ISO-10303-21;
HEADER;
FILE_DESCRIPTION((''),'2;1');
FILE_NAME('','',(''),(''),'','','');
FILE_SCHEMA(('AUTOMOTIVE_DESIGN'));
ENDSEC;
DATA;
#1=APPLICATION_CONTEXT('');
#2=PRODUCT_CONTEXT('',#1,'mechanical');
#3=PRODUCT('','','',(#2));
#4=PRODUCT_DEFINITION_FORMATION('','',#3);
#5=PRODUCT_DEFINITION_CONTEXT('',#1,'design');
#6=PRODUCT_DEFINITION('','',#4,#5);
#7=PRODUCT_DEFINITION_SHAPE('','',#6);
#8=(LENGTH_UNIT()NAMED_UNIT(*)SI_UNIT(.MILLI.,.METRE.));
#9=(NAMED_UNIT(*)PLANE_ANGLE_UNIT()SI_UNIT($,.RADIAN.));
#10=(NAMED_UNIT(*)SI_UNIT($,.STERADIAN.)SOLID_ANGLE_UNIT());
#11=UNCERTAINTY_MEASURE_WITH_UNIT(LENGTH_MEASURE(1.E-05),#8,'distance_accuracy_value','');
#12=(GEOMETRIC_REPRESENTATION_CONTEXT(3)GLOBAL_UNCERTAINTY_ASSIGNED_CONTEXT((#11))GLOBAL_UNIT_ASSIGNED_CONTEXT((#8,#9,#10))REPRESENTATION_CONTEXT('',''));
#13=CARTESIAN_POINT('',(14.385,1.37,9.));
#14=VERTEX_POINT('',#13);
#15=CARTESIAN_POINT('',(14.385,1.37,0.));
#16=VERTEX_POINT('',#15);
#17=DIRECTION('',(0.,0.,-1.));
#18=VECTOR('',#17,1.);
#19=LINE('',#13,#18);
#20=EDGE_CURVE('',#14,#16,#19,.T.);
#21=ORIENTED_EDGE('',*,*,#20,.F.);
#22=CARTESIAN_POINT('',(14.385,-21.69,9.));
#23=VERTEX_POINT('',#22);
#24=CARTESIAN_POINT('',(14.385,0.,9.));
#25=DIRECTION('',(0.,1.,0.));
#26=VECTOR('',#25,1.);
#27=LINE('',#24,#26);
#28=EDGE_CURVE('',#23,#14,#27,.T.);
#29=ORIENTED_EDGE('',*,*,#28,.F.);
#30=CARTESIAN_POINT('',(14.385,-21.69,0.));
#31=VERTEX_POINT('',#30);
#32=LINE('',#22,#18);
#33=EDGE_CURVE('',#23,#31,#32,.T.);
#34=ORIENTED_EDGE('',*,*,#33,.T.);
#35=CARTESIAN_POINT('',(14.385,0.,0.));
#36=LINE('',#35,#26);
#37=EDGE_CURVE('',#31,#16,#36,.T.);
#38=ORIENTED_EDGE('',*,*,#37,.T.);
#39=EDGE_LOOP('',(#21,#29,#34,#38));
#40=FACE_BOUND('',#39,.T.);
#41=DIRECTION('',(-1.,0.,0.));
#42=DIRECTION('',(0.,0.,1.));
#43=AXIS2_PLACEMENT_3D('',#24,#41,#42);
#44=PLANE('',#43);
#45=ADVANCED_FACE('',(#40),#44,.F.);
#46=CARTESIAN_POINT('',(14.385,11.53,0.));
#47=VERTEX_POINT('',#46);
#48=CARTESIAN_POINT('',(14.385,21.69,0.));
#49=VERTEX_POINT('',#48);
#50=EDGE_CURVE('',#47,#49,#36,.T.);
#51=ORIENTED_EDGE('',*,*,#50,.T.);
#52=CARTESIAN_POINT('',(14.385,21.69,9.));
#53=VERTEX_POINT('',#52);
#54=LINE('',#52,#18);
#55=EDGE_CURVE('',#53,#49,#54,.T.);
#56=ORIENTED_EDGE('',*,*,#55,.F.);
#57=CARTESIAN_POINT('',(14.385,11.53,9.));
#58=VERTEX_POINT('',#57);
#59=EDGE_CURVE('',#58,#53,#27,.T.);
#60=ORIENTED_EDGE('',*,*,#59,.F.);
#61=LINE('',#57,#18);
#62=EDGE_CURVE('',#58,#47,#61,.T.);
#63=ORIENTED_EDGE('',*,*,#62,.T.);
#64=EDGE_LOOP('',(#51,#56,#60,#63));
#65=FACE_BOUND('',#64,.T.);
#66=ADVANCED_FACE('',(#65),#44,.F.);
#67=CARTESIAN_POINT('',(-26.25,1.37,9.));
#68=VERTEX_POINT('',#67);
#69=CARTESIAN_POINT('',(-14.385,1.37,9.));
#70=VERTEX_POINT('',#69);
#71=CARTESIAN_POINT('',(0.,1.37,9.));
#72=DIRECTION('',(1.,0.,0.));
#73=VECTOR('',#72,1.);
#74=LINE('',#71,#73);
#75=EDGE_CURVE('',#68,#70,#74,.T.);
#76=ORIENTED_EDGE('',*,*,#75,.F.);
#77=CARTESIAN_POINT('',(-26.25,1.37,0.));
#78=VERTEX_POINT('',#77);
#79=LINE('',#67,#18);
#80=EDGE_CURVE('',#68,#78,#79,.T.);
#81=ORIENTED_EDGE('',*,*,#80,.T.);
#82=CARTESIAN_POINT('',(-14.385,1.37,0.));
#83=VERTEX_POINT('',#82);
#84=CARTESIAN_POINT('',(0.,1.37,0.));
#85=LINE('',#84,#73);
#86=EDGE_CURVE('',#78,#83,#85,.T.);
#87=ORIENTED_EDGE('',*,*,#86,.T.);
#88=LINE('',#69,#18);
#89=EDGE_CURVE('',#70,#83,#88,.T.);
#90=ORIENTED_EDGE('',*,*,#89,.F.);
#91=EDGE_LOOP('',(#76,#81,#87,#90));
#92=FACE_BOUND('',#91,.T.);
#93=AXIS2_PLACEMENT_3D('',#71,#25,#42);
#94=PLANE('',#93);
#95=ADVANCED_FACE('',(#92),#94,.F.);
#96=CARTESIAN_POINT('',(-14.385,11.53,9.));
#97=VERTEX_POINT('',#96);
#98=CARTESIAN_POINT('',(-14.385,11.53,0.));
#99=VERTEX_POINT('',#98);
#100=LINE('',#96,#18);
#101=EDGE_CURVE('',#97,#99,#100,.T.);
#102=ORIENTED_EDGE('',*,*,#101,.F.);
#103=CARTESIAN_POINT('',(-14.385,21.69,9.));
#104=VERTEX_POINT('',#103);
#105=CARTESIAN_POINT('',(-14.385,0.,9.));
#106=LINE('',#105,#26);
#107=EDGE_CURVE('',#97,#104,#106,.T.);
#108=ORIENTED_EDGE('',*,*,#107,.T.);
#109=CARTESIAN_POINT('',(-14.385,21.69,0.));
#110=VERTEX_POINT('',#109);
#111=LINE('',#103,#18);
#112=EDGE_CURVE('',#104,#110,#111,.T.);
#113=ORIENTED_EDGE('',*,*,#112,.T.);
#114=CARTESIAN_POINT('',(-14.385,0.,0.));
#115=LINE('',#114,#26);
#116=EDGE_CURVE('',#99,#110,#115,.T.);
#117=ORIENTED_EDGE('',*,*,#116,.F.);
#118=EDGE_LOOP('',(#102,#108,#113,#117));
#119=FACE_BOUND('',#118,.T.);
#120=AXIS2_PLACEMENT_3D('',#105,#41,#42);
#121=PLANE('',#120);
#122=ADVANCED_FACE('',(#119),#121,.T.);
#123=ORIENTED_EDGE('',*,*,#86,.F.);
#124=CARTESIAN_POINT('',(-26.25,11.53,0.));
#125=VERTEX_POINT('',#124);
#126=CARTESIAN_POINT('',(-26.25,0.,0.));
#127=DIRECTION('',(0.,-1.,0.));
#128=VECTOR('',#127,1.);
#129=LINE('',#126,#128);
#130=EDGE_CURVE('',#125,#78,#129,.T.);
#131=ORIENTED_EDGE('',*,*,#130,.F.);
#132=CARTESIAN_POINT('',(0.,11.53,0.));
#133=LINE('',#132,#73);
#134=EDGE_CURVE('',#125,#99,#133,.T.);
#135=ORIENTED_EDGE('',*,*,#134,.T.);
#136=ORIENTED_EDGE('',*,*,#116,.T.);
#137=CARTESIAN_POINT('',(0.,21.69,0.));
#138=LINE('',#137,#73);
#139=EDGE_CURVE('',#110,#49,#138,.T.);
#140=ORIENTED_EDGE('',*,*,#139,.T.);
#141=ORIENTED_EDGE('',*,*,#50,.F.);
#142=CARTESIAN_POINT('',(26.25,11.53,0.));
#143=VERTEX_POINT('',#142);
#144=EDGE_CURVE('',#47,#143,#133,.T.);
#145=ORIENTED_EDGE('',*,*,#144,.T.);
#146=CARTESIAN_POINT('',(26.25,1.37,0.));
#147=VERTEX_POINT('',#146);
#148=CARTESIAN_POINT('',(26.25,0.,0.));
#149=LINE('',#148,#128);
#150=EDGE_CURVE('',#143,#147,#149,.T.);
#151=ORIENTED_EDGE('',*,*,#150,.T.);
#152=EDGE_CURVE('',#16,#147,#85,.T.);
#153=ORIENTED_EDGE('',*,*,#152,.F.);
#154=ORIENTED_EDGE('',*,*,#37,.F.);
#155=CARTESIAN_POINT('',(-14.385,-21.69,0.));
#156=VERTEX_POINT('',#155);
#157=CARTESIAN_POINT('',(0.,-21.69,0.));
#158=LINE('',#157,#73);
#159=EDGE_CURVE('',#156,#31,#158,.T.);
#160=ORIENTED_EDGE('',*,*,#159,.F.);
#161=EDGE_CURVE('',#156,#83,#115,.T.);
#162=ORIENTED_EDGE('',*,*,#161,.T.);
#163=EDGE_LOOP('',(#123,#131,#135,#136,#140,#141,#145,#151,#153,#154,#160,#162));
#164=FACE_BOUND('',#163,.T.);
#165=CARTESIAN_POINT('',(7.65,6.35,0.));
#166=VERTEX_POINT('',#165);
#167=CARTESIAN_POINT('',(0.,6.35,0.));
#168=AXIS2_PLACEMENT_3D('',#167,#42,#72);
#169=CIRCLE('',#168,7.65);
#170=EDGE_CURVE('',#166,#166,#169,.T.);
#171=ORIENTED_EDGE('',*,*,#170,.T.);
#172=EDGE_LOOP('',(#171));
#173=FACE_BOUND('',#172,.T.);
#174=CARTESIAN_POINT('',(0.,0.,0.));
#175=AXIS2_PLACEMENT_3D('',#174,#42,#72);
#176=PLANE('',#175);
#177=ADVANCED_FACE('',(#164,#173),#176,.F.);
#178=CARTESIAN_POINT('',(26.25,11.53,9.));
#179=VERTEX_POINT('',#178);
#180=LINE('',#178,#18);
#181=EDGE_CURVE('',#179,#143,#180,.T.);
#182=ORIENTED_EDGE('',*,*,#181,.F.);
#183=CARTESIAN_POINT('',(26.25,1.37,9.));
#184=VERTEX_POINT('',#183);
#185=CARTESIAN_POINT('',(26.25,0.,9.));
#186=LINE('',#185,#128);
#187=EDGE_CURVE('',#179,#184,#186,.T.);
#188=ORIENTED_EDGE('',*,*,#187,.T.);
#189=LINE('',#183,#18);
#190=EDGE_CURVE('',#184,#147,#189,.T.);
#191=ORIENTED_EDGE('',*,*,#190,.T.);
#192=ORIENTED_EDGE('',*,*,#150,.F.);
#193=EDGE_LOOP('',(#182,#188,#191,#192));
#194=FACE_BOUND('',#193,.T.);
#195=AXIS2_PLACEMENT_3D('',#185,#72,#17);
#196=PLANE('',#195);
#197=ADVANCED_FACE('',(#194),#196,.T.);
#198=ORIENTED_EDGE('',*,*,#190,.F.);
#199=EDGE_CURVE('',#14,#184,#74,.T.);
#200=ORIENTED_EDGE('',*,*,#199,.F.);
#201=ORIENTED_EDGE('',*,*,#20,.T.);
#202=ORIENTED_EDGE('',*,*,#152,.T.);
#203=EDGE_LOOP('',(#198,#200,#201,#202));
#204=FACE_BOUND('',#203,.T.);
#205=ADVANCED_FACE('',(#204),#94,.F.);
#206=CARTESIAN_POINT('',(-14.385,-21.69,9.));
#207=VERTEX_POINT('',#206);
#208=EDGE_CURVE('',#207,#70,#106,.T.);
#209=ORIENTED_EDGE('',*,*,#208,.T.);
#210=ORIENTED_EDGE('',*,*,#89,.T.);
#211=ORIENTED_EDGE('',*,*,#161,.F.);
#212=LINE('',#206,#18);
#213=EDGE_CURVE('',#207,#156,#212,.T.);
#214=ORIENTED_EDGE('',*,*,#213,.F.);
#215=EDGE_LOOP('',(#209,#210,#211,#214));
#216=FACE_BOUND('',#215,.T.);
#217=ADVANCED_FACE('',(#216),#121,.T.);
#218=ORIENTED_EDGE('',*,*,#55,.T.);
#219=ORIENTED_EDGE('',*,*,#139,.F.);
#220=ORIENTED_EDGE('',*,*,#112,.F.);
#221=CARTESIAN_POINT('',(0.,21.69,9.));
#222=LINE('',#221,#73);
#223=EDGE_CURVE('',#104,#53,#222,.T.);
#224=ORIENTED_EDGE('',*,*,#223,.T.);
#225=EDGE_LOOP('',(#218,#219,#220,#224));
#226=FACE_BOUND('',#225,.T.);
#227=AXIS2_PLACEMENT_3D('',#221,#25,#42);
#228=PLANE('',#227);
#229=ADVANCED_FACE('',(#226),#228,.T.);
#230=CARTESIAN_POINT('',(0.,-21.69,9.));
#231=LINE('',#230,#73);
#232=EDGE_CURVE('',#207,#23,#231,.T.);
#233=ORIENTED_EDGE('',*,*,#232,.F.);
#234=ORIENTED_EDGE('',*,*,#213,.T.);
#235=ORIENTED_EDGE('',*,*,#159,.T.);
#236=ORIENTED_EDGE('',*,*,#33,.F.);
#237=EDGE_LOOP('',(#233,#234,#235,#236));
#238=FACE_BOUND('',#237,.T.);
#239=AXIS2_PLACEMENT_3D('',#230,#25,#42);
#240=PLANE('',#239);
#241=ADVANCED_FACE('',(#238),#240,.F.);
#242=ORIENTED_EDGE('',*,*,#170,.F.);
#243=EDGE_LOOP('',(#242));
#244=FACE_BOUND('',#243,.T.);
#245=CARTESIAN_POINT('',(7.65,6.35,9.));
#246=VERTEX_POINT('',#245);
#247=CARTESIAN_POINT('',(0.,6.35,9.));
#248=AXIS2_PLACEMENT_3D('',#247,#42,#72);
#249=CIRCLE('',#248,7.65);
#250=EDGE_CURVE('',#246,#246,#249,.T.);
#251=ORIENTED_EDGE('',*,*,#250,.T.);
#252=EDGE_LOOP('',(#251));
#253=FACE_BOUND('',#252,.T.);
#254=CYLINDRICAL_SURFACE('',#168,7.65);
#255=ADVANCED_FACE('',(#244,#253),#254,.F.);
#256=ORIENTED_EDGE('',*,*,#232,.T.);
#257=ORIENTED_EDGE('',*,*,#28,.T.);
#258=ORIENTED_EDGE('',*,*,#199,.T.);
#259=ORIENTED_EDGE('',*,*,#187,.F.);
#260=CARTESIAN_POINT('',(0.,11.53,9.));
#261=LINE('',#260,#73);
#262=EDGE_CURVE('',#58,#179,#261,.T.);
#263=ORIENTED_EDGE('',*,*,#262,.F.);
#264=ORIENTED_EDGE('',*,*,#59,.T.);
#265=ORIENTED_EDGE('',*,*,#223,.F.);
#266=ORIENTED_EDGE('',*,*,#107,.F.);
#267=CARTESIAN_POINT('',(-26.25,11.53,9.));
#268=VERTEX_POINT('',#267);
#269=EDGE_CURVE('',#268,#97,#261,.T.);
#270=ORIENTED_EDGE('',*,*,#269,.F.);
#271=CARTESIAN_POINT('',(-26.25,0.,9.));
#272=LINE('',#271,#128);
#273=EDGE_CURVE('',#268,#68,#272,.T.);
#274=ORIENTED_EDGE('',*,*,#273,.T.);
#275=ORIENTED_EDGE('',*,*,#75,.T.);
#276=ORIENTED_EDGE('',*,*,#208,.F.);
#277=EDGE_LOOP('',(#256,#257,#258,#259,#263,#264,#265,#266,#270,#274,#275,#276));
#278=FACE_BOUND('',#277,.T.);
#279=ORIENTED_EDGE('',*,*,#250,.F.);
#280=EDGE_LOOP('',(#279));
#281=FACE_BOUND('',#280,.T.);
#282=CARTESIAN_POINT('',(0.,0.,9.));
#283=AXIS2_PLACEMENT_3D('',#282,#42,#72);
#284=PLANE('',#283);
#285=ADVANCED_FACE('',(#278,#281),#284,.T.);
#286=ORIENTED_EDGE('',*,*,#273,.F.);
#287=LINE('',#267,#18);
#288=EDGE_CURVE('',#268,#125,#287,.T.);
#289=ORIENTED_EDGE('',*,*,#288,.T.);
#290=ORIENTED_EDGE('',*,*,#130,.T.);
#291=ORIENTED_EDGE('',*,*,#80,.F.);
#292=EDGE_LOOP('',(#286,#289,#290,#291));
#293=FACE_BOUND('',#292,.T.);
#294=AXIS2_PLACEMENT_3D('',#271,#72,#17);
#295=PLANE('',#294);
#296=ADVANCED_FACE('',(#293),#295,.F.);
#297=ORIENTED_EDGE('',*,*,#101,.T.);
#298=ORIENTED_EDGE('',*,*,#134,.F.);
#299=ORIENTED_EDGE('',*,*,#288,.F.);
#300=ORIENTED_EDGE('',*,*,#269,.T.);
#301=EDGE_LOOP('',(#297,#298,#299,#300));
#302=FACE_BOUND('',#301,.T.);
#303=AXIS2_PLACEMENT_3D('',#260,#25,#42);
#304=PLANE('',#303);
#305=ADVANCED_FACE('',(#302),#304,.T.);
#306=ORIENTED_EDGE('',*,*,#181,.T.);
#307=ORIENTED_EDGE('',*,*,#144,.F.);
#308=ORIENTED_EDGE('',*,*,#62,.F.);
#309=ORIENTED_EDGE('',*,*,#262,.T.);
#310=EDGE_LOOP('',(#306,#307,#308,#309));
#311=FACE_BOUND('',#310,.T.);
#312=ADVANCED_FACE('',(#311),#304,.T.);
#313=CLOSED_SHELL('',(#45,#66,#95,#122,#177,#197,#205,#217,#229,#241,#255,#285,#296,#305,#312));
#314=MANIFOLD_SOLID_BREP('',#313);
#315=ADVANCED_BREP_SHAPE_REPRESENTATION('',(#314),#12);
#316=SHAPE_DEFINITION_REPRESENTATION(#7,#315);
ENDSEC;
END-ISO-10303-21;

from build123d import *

# Parameters (mm, degrees)
SKETCH1_W           = 11.865
SKETCH1_H           = 10.16
SKETCH1_W_2         = 28.77
SKETCH1_H_2         = 23.06
BOSS_EXTRUDE1_DEPTH = 9
SKETCH3_R           = 7.65
CUT_EXTRUDE1_DEPTH  = 36.220996579


with BuildPart() as part:
    # Sketch1 → Boss-Extrude1 (new body)
    with BuildSketch(Plane.XY):
        with Locations((-20.3175, 6.45)):
            Rectangle(SKETCH1_W, SKETCH1_H)
        with Locations((0, -10.16)):
            Rectangle(SKETCH1_W_2, SKETCH1_H_2)
        with Locations((0, 6.45)):
            Rectangle(SKETCH1_W_2, SKETCH1_H)
        with Locations((0, 16.61)):
            Rectangle(SKETCH1_W_2, SKETCH1_H)
        with Locations((20.3175, 6.45)):
            Rectangle(SKETCH1_W, SKETCH1_H)
    extrude(amount=BOSS_EXTRUDE1_DEPTH)

    # Sketch3 → Cut-Extrude1 (cut, through all)
    with BuildSketch(Plane.XY.offset(9)):
        with Locations((0, 6.35)):
            Circle(SKETCH3_R)
    extrude(amount=-CUT_EXTRUDE1_DEPTH, mode=Mode.SUBTRACT)


solid = part.part
